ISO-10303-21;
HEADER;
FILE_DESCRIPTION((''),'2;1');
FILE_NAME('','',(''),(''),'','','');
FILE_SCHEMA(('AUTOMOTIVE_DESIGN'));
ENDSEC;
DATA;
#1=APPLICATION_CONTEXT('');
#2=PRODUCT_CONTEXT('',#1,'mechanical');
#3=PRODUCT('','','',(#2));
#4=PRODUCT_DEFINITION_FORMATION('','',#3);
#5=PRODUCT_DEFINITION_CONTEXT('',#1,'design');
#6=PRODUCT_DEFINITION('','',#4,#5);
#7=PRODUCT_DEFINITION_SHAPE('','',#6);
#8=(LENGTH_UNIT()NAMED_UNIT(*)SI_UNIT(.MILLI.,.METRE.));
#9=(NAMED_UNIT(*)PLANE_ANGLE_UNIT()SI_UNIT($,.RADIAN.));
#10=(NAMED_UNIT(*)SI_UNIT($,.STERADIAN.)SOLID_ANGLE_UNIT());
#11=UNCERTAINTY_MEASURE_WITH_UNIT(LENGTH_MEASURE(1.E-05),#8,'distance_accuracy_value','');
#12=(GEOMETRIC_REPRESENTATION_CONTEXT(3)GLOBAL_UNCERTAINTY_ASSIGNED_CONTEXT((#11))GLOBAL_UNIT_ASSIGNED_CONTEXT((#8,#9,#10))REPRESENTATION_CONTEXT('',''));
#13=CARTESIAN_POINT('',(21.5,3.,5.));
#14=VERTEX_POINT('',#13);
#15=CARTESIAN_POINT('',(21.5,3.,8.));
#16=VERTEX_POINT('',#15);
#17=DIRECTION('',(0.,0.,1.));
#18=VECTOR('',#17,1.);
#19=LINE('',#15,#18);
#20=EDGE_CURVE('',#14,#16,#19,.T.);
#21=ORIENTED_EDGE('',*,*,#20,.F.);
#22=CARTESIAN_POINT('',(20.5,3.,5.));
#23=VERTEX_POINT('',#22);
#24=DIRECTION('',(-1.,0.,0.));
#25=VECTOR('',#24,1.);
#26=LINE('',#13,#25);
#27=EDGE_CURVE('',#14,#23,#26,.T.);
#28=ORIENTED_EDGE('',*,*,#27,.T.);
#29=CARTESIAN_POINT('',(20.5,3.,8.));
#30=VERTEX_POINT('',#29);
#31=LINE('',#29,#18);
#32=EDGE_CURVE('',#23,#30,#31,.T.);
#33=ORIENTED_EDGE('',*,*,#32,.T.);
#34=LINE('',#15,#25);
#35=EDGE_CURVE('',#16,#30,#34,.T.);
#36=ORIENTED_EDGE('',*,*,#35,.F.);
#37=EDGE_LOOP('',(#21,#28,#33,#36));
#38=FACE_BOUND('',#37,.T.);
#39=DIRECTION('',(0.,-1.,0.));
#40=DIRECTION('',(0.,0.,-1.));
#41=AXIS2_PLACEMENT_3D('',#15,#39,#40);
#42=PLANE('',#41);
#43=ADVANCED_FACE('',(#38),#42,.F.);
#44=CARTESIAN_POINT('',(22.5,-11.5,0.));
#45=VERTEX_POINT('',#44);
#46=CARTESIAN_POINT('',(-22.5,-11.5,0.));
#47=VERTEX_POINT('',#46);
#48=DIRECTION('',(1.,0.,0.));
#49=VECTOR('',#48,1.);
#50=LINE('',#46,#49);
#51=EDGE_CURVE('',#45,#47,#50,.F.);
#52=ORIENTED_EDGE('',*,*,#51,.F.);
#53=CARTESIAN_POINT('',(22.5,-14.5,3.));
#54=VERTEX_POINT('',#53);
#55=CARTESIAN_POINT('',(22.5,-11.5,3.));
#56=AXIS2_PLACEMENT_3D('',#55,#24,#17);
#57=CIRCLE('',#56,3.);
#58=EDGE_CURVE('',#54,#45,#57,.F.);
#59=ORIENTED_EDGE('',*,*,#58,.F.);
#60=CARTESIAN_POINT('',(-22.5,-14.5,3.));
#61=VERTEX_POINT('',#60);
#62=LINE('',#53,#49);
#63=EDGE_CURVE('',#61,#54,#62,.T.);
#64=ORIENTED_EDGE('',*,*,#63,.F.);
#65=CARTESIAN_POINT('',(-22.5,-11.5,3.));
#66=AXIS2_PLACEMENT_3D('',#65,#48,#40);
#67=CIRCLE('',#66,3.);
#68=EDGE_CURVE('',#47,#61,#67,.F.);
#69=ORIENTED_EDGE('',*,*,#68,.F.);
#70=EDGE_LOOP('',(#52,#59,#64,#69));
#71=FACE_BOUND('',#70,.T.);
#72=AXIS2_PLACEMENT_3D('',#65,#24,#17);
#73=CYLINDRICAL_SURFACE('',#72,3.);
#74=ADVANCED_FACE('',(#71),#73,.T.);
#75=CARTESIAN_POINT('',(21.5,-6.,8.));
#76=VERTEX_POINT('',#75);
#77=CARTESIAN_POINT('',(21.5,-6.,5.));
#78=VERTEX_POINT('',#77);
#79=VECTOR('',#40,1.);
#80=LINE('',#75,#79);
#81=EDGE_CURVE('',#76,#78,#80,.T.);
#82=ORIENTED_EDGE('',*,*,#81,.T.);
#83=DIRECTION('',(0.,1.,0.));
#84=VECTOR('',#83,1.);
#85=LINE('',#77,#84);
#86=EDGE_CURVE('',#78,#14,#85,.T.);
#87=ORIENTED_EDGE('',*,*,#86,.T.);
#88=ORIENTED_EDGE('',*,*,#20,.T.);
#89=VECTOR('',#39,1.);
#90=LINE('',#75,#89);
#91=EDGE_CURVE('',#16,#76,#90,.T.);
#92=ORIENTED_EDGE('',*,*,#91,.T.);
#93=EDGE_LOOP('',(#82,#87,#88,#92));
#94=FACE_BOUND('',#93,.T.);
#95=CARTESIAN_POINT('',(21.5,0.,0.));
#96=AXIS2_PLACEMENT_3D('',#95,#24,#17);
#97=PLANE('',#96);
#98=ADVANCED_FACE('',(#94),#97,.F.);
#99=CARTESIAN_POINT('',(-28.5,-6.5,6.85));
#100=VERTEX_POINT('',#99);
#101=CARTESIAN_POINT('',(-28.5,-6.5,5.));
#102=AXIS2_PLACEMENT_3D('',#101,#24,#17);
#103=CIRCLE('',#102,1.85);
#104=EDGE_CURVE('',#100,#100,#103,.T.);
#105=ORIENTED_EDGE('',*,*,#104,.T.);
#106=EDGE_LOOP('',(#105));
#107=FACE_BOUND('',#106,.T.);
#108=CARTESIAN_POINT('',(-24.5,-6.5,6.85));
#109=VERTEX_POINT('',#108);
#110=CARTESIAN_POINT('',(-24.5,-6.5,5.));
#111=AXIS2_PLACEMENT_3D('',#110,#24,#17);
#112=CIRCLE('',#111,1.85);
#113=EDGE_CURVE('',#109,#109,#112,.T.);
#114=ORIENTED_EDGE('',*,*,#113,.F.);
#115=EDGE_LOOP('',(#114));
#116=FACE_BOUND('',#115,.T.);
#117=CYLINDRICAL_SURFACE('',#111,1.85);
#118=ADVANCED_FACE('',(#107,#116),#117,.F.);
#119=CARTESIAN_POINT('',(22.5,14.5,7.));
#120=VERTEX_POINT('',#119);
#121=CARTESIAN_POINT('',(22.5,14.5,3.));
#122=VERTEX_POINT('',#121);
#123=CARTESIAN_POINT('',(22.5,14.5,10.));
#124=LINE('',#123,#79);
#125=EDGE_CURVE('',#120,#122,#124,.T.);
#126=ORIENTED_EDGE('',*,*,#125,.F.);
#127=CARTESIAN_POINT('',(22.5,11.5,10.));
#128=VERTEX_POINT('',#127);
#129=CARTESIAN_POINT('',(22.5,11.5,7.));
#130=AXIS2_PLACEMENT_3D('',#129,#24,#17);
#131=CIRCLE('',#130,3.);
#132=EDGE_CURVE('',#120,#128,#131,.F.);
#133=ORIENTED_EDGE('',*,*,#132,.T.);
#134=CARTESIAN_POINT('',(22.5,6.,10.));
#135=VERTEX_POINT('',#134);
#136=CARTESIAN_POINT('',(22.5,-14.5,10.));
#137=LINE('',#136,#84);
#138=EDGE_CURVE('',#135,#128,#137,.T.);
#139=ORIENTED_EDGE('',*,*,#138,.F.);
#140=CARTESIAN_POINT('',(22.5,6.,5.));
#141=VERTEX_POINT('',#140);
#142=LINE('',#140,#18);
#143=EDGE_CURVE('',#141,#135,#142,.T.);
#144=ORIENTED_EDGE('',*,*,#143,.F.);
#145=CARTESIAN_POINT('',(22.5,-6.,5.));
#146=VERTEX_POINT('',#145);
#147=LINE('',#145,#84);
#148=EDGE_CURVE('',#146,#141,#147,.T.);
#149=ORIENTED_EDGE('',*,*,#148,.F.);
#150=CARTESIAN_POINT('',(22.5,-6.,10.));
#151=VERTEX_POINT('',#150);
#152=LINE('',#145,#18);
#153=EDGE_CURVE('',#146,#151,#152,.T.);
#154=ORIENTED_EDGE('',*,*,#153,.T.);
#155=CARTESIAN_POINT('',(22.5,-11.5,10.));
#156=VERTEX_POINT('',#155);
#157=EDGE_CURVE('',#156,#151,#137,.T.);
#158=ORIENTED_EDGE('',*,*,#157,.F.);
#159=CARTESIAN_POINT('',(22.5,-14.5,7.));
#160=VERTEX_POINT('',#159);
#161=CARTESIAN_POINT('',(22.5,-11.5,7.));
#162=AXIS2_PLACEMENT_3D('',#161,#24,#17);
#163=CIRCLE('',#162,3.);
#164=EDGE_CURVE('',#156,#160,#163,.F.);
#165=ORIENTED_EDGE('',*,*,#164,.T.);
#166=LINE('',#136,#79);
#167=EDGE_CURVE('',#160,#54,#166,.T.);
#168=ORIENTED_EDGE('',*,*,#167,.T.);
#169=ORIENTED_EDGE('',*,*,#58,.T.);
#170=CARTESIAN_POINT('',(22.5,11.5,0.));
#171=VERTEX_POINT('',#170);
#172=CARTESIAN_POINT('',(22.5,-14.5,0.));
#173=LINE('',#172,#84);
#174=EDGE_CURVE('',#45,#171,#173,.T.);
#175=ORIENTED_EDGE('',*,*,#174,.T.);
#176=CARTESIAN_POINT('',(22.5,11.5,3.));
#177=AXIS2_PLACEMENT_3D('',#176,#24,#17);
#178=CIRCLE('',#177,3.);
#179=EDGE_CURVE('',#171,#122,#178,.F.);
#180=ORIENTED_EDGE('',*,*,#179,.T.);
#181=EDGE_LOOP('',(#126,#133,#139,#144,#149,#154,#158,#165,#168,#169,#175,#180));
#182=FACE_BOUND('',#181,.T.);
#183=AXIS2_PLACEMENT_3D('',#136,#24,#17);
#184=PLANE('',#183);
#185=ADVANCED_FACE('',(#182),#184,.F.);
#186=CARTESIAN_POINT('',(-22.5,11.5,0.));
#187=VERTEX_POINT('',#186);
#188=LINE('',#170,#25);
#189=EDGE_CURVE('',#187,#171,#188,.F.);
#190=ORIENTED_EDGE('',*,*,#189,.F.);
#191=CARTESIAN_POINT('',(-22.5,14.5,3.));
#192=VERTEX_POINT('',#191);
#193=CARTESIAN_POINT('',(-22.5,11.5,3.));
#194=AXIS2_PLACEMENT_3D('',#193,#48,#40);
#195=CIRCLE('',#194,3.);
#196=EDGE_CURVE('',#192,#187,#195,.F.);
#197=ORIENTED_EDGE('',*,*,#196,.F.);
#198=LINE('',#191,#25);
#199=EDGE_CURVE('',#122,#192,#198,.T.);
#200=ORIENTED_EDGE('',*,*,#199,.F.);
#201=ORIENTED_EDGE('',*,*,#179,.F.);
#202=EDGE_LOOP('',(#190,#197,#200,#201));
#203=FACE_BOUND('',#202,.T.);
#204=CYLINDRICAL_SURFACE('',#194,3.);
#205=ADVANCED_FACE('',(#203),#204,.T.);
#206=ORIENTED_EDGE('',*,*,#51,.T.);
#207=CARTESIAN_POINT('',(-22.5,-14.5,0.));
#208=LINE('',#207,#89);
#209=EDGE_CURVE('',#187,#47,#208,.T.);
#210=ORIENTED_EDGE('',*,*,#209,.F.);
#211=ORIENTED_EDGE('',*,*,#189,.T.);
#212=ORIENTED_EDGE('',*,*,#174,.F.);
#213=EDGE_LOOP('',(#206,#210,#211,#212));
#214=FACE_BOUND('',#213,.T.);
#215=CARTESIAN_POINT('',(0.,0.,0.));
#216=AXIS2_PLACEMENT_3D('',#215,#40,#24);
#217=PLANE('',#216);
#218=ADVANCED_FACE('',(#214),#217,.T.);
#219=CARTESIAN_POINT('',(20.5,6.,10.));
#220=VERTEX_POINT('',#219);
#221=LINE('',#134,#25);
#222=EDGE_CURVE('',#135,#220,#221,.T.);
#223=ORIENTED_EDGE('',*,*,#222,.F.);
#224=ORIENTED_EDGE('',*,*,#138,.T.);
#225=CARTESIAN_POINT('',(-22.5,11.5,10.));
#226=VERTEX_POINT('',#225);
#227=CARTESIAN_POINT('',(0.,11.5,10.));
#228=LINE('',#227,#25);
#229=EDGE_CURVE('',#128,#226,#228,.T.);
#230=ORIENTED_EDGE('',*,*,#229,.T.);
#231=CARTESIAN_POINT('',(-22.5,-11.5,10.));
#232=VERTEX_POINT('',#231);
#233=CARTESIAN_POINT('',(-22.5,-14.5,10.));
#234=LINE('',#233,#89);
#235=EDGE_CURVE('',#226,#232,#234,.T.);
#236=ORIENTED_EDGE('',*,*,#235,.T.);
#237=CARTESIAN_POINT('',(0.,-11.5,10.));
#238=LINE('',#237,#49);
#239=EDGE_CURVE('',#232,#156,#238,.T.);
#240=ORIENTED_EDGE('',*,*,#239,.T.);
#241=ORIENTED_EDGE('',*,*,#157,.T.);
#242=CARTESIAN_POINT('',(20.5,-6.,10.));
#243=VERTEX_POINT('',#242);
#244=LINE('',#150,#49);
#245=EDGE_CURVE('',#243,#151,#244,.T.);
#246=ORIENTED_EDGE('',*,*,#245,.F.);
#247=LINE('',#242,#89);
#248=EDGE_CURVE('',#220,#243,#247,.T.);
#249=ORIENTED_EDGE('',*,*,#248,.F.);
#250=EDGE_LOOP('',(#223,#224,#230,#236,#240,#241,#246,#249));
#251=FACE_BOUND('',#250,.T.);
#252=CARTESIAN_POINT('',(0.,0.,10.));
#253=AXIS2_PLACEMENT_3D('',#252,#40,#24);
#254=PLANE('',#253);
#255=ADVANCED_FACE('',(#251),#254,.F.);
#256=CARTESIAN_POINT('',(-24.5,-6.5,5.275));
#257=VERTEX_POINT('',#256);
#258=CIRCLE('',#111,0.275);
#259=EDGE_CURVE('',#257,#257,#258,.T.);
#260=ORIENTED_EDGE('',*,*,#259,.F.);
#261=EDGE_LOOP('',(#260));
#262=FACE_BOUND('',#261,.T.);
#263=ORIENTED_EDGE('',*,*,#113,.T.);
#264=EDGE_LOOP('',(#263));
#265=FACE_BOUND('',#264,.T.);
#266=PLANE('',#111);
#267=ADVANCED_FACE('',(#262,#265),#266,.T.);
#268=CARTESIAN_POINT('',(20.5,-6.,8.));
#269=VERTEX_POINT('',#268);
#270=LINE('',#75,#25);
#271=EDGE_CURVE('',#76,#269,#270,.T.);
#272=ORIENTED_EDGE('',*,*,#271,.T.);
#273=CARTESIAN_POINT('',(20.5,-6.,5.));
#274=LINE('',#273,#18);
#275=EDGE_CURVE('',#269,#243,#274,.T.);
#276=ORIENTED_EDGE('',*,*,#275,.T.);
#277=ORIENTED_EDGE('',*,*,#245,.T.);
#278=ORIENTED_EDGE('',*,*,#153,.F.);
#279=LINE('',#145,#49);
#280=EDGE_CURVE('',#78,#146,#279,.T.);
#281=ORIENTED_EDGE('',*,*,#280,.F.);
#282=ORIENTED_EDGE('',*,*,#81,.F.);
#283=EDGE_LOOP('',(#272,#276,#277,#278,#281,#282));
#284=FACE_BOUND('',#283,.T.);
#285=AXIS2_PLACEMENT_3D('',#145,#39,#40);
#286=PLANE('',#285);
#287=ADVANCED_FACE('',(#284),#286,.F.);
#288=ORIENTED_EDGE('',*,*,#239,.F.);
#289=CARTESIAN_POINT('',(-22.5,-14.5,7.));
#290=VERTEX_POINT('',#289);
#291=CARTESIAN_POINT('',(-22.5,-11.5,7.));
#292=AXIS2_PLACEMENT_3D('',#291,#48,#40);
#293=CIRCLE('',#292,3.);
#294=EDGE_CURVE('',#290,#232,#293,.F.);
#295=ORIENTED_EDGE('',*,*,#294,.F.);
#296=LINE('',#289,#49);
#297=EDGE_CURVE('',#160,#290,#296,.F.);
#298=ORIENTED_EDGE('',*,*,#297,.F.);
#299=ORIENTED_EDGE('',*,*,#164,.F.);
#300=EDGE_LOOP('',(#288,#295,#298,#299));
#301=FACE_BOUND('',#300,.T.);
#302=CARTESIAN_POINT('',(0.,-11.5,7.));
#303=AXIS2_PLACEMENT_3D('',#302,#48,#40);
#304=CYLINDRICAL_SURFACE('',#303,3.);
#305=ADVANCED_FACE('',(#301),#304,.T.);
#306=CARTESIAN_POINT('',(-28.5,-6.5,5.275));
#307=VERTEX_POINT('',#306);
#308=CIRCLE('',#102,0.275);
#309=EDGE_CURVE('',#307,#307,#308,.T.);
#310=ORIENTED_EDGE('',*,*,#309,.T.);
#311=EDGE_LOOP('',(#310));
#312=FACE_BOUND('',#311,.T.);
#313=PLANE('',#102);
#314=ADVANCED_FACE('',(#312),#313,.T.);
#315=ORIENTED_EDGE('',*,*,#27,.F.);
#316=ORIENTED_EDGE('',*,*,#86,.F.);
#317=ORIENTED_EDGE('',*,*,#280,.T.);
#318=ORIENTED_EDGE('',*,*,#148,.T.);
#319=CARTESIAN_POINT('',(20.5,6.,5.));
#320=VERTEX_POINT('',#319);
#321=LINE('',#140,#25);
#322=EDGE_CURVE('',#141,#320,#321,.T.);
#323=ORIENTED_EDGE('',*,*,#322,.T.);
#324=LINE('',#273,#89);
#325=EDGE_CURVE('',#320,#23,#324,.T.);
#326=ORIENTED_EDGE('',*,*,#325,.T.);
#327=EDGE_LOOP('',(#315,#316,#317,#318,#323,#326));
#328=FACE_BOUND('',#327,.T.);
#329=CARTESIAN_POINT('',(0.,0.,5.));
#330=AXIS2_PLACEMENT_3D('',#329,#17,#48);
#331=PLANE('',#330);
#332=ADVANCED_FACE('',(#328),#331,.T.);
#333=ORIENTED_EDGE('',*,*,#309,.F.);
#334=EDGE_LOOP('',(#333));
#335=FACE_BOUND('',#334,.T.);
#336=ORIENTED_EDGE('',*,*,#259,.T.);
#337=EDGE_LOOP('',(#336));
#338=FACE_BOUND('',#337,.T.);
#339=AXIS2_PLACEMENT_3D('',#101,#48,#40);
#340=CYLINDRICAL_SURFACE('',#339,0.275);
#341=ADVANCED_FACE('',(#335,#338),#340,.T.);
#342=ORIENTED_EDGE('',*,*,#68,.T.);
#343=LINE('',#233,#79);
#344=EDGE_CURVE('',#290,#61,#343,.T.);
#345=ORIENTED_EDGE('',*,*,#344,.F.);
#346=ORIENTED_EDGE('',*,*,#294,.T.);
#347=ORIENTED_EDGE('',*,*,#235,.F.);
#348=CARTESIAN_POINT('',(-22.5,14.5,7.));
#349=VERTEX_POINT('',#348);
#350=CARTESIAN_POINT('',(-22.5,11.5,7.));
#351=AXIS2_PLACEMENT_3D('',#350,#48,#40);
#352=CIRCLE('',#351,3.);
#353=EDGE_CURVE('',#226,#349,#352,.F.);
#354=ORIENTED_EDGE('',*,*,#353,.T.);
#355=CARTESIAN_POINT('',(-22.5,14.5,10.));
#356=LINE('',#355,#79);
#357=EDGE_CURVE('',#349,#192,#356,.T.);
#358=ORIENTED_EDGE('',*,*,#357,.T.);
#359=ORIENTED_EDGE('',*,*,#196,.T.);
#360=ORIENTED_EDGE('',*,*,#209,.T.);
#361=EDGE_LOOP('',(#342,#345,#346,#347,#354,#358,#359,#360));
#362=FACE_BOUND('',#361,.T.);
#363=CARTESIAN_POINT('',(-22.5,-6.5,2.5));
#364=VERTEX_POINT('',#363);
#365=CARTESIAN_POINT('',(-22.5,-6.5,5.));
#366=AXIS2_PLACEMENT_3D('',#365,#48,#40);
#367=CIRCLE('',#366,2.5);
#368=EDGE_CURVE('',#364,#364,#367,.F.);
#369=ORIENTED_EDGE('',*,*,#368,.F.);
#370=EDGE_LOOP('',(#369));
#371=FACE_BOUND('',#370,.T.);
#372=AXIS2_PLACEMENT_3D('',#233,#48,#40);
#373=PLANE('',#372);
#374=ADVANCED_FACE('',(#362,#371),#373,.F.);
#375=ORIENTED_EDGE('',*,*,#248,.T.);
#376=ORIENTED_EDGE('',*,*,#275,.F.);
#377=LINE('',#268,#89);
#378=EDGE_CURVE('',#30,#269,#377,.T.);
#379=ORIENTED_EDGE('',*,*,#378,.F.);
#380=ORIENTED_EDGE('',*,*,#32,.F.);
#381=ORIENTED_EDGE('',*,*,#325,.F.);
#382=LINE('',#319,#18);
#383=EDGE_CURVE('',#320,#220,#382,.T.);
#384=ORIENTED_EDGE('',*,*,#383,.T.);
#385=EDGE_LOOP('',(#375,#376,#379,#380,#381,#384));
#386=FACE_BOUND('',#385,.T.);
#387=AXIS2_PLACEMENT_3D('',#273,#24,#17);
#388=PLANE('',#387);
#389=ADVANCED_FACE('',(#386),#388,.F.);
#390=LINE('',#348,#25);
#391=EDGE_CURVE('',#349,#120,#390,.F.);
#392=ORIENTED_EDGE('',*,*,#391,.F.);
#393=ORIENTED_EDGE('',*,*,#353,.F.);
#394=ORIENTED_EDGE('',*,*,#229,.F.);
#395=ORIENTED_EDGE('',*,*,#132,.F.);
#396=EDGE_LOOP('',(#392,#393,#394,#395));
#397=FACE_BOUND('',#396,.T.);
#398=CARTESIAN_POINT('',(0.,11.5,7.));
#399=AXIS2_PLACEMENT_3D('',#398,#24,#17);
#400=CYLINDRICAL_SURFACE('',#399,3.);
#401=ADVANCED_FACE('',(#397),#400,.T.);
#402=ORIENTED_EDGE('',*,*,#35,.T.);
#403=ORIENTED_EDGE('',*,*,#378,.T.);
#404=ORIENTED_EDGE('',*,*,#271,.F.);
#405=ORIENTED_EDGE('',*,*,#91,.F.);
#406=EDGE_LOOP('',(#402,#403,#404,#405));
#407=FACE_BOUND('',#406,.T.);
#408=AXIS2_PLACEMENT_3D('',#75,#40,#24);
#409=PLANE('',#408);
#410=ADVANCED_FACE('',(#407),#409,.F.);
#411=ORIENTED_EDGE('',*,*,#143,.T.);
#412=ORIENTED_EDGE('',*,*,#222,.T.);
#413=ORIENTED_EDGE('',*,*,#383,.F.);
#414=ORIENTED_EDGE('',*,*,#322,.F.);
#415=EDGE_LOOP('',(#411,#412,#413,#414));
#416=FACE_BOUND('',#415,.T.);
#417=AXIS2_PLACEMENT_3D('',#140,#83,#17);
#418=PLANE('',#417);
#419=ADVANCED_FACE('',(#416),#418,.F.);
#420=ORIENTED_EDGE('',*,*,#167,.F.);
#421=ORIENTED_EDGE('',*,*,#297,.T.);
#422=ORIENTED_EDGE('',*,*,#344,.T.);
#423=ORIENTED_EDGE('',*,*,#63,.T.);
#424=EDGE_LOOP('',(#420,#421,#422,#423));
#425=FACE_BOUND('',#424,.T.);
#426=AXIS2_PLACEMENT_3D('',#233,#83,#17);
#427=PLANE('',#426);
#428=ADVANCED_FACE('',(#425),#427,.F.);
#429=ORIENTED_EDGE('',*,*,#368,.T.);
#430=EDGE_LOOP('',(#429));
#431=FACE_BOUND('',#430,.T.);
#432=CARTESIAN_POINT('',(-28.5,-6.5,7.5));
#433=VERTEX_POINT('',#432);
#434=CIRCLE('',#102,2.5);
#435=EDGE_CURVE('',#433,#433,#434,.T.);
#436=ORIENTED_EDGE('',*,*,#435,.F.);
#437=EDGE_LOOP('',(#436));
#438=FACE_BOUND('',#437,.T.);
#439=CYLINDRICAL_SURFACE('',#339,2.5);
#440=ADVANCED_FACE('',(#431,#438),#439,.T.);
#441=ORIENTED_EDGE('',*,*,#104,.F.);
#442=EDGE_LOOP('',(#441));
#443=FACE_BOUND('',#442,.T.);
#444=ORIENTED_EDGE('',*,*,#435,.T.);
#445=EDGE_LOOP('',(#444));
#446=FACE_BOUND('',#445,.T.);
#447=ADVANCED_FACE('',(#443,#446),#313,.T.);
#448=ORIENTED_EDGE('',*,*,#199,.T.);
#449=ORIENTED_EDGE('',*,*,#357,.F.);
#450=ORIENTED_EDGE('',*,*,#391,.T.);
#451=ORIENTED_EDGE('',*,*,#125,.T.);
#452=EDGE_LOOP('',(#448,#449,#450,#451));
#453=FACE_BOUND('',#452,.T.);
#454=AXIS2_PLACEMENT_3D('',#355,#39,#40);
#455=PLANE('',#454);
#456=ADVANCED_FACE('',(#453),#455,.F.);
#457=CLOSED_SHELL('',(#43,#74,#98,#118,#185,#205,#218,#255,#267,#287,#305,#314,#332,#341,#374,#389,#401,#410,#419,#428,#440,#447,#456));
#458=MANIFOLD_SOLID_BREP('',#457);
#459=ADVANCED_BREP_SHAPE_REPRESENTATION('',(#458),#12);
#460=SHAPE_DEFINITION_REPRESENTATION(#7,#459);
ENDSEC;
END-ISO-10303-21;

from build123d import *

# Parameters (mm, degrees)
SKETCH1_W           = 45
SKETCH1_H           = 29
BOSS_EXTRUDE1_DEPTH = 10
SKETCH2_W           = 2
SKETCH2_H           = 12
CUT_EXTRUDE1_DEPTH  = 5
SKETCH3_W           = 3
SKETCH3_H           = 9
BOSS_EXTRUDE2_DEPTH = 1
SKETCH4_R           = 2.5
BOSS_EXTRUDE3_DEPTH = 6
SKETCH5_R           = 1.85
CUT_EXTRUDE2_DEPTH  = 4
SKETCH6_R           = 0.275
BOSS_EXTRUDE4_DEPTH = 4
FILLET2_R           = 3
FILLET3_R           = 3
FILLET4_R           = 3
FILLET5_R           = 3


with BuildPart() as part:
    # Sketch1 → Boss-Extrude1 (new body)
    with BuildSketch(Plane.XY):
        Rectangle(SKETCH1_W, SKETCH1_H)
    extrude(amount=BOSS_EXTRUDE1_DEPTH)

    # Sketch2 → Cut-Extrude1 (cut)
    with BuildSketch(Plane.XY.offset(10)):
        with Locations((21.5, 0)):
            Rectangle(SKETCH2_W, SKETCH2_H)
    extrude(amount=-CUT_EXTRUDE1_DEPTH, mode=Mode.SUBTRACT)

    # Sketch3 → Boss-Extrude2 (add)
    with BuildSketch(Plane(origin=(20.5, 0, 0), x_dir=(0, 0, -1), z_dir=(1, 0, 0))):
        with Locations((-6.5, -1.5)):
            Rectangle(SKETCH3_W, SKETCH3_H)
    extrude(amount=BOSS_EXTRUDE2_DEPTH)

    # Sketch4 → Boss-Extrude3 (add)
    with BuildSketch(Plane.ZY.offset(22.5)):
        with Locations(Location((5, -6.5, 0), (0, 0, 180))):
            Circle(SKETCH4_R)
    extrude(amount=BOSS_EXTRUDE3_DEPTH)

    # Sketch5 → Cut-Extrude2 (cut)
    with BuildSketch(Plane.ZY.offset(28.5)):
        with Locations((5, -6.5)):
            Circle(SKETCH5_R)
    extrude(amount=-CUT_EXTRUDE2_DEPTH, mode=Mode.SUBTRACT)

    # Sketch6 → Boss-Extrude4 (add)
    with BuildSketch(Plane.ZY.offset(24.5)):
        with Locations((5, -6.5)):
            Circle(SKETCH6_R)
    extrude(amount=BOSS_EXTRUDE4_DEPTH)

    # Fillet2
    fillet2_edges = [part.edges().sort_by_distance(p)[0] for p in [
        (0, 14.5, 0),
    ]]
    fillet(fillet2_edges, radius=FILLET2_R)

    # Fillet3
    fillet3_edges = [part.edges().sort_by_distance(p)[0] for p in [
        (0, 14.5, 10),
    ]]
    fillet(fillet3_edges, radius=FILLET3_R)

    # Fillet4
    fillet4_edges = [part.edges().sort_by_distance(p)[0] for p in [
        (0, -14.5, 0),
    ]]
    fillet(fillet4_edges, radius=FILLET4_R)

    # Fillet5
    fillet5_edges = [part.edges().sort_by_distance(p)[0] for p in [
        (0, -14.5, 10),
    ]]
    fillet(fillet5_edges, radius=FILLET5_R)


solid = part.part
